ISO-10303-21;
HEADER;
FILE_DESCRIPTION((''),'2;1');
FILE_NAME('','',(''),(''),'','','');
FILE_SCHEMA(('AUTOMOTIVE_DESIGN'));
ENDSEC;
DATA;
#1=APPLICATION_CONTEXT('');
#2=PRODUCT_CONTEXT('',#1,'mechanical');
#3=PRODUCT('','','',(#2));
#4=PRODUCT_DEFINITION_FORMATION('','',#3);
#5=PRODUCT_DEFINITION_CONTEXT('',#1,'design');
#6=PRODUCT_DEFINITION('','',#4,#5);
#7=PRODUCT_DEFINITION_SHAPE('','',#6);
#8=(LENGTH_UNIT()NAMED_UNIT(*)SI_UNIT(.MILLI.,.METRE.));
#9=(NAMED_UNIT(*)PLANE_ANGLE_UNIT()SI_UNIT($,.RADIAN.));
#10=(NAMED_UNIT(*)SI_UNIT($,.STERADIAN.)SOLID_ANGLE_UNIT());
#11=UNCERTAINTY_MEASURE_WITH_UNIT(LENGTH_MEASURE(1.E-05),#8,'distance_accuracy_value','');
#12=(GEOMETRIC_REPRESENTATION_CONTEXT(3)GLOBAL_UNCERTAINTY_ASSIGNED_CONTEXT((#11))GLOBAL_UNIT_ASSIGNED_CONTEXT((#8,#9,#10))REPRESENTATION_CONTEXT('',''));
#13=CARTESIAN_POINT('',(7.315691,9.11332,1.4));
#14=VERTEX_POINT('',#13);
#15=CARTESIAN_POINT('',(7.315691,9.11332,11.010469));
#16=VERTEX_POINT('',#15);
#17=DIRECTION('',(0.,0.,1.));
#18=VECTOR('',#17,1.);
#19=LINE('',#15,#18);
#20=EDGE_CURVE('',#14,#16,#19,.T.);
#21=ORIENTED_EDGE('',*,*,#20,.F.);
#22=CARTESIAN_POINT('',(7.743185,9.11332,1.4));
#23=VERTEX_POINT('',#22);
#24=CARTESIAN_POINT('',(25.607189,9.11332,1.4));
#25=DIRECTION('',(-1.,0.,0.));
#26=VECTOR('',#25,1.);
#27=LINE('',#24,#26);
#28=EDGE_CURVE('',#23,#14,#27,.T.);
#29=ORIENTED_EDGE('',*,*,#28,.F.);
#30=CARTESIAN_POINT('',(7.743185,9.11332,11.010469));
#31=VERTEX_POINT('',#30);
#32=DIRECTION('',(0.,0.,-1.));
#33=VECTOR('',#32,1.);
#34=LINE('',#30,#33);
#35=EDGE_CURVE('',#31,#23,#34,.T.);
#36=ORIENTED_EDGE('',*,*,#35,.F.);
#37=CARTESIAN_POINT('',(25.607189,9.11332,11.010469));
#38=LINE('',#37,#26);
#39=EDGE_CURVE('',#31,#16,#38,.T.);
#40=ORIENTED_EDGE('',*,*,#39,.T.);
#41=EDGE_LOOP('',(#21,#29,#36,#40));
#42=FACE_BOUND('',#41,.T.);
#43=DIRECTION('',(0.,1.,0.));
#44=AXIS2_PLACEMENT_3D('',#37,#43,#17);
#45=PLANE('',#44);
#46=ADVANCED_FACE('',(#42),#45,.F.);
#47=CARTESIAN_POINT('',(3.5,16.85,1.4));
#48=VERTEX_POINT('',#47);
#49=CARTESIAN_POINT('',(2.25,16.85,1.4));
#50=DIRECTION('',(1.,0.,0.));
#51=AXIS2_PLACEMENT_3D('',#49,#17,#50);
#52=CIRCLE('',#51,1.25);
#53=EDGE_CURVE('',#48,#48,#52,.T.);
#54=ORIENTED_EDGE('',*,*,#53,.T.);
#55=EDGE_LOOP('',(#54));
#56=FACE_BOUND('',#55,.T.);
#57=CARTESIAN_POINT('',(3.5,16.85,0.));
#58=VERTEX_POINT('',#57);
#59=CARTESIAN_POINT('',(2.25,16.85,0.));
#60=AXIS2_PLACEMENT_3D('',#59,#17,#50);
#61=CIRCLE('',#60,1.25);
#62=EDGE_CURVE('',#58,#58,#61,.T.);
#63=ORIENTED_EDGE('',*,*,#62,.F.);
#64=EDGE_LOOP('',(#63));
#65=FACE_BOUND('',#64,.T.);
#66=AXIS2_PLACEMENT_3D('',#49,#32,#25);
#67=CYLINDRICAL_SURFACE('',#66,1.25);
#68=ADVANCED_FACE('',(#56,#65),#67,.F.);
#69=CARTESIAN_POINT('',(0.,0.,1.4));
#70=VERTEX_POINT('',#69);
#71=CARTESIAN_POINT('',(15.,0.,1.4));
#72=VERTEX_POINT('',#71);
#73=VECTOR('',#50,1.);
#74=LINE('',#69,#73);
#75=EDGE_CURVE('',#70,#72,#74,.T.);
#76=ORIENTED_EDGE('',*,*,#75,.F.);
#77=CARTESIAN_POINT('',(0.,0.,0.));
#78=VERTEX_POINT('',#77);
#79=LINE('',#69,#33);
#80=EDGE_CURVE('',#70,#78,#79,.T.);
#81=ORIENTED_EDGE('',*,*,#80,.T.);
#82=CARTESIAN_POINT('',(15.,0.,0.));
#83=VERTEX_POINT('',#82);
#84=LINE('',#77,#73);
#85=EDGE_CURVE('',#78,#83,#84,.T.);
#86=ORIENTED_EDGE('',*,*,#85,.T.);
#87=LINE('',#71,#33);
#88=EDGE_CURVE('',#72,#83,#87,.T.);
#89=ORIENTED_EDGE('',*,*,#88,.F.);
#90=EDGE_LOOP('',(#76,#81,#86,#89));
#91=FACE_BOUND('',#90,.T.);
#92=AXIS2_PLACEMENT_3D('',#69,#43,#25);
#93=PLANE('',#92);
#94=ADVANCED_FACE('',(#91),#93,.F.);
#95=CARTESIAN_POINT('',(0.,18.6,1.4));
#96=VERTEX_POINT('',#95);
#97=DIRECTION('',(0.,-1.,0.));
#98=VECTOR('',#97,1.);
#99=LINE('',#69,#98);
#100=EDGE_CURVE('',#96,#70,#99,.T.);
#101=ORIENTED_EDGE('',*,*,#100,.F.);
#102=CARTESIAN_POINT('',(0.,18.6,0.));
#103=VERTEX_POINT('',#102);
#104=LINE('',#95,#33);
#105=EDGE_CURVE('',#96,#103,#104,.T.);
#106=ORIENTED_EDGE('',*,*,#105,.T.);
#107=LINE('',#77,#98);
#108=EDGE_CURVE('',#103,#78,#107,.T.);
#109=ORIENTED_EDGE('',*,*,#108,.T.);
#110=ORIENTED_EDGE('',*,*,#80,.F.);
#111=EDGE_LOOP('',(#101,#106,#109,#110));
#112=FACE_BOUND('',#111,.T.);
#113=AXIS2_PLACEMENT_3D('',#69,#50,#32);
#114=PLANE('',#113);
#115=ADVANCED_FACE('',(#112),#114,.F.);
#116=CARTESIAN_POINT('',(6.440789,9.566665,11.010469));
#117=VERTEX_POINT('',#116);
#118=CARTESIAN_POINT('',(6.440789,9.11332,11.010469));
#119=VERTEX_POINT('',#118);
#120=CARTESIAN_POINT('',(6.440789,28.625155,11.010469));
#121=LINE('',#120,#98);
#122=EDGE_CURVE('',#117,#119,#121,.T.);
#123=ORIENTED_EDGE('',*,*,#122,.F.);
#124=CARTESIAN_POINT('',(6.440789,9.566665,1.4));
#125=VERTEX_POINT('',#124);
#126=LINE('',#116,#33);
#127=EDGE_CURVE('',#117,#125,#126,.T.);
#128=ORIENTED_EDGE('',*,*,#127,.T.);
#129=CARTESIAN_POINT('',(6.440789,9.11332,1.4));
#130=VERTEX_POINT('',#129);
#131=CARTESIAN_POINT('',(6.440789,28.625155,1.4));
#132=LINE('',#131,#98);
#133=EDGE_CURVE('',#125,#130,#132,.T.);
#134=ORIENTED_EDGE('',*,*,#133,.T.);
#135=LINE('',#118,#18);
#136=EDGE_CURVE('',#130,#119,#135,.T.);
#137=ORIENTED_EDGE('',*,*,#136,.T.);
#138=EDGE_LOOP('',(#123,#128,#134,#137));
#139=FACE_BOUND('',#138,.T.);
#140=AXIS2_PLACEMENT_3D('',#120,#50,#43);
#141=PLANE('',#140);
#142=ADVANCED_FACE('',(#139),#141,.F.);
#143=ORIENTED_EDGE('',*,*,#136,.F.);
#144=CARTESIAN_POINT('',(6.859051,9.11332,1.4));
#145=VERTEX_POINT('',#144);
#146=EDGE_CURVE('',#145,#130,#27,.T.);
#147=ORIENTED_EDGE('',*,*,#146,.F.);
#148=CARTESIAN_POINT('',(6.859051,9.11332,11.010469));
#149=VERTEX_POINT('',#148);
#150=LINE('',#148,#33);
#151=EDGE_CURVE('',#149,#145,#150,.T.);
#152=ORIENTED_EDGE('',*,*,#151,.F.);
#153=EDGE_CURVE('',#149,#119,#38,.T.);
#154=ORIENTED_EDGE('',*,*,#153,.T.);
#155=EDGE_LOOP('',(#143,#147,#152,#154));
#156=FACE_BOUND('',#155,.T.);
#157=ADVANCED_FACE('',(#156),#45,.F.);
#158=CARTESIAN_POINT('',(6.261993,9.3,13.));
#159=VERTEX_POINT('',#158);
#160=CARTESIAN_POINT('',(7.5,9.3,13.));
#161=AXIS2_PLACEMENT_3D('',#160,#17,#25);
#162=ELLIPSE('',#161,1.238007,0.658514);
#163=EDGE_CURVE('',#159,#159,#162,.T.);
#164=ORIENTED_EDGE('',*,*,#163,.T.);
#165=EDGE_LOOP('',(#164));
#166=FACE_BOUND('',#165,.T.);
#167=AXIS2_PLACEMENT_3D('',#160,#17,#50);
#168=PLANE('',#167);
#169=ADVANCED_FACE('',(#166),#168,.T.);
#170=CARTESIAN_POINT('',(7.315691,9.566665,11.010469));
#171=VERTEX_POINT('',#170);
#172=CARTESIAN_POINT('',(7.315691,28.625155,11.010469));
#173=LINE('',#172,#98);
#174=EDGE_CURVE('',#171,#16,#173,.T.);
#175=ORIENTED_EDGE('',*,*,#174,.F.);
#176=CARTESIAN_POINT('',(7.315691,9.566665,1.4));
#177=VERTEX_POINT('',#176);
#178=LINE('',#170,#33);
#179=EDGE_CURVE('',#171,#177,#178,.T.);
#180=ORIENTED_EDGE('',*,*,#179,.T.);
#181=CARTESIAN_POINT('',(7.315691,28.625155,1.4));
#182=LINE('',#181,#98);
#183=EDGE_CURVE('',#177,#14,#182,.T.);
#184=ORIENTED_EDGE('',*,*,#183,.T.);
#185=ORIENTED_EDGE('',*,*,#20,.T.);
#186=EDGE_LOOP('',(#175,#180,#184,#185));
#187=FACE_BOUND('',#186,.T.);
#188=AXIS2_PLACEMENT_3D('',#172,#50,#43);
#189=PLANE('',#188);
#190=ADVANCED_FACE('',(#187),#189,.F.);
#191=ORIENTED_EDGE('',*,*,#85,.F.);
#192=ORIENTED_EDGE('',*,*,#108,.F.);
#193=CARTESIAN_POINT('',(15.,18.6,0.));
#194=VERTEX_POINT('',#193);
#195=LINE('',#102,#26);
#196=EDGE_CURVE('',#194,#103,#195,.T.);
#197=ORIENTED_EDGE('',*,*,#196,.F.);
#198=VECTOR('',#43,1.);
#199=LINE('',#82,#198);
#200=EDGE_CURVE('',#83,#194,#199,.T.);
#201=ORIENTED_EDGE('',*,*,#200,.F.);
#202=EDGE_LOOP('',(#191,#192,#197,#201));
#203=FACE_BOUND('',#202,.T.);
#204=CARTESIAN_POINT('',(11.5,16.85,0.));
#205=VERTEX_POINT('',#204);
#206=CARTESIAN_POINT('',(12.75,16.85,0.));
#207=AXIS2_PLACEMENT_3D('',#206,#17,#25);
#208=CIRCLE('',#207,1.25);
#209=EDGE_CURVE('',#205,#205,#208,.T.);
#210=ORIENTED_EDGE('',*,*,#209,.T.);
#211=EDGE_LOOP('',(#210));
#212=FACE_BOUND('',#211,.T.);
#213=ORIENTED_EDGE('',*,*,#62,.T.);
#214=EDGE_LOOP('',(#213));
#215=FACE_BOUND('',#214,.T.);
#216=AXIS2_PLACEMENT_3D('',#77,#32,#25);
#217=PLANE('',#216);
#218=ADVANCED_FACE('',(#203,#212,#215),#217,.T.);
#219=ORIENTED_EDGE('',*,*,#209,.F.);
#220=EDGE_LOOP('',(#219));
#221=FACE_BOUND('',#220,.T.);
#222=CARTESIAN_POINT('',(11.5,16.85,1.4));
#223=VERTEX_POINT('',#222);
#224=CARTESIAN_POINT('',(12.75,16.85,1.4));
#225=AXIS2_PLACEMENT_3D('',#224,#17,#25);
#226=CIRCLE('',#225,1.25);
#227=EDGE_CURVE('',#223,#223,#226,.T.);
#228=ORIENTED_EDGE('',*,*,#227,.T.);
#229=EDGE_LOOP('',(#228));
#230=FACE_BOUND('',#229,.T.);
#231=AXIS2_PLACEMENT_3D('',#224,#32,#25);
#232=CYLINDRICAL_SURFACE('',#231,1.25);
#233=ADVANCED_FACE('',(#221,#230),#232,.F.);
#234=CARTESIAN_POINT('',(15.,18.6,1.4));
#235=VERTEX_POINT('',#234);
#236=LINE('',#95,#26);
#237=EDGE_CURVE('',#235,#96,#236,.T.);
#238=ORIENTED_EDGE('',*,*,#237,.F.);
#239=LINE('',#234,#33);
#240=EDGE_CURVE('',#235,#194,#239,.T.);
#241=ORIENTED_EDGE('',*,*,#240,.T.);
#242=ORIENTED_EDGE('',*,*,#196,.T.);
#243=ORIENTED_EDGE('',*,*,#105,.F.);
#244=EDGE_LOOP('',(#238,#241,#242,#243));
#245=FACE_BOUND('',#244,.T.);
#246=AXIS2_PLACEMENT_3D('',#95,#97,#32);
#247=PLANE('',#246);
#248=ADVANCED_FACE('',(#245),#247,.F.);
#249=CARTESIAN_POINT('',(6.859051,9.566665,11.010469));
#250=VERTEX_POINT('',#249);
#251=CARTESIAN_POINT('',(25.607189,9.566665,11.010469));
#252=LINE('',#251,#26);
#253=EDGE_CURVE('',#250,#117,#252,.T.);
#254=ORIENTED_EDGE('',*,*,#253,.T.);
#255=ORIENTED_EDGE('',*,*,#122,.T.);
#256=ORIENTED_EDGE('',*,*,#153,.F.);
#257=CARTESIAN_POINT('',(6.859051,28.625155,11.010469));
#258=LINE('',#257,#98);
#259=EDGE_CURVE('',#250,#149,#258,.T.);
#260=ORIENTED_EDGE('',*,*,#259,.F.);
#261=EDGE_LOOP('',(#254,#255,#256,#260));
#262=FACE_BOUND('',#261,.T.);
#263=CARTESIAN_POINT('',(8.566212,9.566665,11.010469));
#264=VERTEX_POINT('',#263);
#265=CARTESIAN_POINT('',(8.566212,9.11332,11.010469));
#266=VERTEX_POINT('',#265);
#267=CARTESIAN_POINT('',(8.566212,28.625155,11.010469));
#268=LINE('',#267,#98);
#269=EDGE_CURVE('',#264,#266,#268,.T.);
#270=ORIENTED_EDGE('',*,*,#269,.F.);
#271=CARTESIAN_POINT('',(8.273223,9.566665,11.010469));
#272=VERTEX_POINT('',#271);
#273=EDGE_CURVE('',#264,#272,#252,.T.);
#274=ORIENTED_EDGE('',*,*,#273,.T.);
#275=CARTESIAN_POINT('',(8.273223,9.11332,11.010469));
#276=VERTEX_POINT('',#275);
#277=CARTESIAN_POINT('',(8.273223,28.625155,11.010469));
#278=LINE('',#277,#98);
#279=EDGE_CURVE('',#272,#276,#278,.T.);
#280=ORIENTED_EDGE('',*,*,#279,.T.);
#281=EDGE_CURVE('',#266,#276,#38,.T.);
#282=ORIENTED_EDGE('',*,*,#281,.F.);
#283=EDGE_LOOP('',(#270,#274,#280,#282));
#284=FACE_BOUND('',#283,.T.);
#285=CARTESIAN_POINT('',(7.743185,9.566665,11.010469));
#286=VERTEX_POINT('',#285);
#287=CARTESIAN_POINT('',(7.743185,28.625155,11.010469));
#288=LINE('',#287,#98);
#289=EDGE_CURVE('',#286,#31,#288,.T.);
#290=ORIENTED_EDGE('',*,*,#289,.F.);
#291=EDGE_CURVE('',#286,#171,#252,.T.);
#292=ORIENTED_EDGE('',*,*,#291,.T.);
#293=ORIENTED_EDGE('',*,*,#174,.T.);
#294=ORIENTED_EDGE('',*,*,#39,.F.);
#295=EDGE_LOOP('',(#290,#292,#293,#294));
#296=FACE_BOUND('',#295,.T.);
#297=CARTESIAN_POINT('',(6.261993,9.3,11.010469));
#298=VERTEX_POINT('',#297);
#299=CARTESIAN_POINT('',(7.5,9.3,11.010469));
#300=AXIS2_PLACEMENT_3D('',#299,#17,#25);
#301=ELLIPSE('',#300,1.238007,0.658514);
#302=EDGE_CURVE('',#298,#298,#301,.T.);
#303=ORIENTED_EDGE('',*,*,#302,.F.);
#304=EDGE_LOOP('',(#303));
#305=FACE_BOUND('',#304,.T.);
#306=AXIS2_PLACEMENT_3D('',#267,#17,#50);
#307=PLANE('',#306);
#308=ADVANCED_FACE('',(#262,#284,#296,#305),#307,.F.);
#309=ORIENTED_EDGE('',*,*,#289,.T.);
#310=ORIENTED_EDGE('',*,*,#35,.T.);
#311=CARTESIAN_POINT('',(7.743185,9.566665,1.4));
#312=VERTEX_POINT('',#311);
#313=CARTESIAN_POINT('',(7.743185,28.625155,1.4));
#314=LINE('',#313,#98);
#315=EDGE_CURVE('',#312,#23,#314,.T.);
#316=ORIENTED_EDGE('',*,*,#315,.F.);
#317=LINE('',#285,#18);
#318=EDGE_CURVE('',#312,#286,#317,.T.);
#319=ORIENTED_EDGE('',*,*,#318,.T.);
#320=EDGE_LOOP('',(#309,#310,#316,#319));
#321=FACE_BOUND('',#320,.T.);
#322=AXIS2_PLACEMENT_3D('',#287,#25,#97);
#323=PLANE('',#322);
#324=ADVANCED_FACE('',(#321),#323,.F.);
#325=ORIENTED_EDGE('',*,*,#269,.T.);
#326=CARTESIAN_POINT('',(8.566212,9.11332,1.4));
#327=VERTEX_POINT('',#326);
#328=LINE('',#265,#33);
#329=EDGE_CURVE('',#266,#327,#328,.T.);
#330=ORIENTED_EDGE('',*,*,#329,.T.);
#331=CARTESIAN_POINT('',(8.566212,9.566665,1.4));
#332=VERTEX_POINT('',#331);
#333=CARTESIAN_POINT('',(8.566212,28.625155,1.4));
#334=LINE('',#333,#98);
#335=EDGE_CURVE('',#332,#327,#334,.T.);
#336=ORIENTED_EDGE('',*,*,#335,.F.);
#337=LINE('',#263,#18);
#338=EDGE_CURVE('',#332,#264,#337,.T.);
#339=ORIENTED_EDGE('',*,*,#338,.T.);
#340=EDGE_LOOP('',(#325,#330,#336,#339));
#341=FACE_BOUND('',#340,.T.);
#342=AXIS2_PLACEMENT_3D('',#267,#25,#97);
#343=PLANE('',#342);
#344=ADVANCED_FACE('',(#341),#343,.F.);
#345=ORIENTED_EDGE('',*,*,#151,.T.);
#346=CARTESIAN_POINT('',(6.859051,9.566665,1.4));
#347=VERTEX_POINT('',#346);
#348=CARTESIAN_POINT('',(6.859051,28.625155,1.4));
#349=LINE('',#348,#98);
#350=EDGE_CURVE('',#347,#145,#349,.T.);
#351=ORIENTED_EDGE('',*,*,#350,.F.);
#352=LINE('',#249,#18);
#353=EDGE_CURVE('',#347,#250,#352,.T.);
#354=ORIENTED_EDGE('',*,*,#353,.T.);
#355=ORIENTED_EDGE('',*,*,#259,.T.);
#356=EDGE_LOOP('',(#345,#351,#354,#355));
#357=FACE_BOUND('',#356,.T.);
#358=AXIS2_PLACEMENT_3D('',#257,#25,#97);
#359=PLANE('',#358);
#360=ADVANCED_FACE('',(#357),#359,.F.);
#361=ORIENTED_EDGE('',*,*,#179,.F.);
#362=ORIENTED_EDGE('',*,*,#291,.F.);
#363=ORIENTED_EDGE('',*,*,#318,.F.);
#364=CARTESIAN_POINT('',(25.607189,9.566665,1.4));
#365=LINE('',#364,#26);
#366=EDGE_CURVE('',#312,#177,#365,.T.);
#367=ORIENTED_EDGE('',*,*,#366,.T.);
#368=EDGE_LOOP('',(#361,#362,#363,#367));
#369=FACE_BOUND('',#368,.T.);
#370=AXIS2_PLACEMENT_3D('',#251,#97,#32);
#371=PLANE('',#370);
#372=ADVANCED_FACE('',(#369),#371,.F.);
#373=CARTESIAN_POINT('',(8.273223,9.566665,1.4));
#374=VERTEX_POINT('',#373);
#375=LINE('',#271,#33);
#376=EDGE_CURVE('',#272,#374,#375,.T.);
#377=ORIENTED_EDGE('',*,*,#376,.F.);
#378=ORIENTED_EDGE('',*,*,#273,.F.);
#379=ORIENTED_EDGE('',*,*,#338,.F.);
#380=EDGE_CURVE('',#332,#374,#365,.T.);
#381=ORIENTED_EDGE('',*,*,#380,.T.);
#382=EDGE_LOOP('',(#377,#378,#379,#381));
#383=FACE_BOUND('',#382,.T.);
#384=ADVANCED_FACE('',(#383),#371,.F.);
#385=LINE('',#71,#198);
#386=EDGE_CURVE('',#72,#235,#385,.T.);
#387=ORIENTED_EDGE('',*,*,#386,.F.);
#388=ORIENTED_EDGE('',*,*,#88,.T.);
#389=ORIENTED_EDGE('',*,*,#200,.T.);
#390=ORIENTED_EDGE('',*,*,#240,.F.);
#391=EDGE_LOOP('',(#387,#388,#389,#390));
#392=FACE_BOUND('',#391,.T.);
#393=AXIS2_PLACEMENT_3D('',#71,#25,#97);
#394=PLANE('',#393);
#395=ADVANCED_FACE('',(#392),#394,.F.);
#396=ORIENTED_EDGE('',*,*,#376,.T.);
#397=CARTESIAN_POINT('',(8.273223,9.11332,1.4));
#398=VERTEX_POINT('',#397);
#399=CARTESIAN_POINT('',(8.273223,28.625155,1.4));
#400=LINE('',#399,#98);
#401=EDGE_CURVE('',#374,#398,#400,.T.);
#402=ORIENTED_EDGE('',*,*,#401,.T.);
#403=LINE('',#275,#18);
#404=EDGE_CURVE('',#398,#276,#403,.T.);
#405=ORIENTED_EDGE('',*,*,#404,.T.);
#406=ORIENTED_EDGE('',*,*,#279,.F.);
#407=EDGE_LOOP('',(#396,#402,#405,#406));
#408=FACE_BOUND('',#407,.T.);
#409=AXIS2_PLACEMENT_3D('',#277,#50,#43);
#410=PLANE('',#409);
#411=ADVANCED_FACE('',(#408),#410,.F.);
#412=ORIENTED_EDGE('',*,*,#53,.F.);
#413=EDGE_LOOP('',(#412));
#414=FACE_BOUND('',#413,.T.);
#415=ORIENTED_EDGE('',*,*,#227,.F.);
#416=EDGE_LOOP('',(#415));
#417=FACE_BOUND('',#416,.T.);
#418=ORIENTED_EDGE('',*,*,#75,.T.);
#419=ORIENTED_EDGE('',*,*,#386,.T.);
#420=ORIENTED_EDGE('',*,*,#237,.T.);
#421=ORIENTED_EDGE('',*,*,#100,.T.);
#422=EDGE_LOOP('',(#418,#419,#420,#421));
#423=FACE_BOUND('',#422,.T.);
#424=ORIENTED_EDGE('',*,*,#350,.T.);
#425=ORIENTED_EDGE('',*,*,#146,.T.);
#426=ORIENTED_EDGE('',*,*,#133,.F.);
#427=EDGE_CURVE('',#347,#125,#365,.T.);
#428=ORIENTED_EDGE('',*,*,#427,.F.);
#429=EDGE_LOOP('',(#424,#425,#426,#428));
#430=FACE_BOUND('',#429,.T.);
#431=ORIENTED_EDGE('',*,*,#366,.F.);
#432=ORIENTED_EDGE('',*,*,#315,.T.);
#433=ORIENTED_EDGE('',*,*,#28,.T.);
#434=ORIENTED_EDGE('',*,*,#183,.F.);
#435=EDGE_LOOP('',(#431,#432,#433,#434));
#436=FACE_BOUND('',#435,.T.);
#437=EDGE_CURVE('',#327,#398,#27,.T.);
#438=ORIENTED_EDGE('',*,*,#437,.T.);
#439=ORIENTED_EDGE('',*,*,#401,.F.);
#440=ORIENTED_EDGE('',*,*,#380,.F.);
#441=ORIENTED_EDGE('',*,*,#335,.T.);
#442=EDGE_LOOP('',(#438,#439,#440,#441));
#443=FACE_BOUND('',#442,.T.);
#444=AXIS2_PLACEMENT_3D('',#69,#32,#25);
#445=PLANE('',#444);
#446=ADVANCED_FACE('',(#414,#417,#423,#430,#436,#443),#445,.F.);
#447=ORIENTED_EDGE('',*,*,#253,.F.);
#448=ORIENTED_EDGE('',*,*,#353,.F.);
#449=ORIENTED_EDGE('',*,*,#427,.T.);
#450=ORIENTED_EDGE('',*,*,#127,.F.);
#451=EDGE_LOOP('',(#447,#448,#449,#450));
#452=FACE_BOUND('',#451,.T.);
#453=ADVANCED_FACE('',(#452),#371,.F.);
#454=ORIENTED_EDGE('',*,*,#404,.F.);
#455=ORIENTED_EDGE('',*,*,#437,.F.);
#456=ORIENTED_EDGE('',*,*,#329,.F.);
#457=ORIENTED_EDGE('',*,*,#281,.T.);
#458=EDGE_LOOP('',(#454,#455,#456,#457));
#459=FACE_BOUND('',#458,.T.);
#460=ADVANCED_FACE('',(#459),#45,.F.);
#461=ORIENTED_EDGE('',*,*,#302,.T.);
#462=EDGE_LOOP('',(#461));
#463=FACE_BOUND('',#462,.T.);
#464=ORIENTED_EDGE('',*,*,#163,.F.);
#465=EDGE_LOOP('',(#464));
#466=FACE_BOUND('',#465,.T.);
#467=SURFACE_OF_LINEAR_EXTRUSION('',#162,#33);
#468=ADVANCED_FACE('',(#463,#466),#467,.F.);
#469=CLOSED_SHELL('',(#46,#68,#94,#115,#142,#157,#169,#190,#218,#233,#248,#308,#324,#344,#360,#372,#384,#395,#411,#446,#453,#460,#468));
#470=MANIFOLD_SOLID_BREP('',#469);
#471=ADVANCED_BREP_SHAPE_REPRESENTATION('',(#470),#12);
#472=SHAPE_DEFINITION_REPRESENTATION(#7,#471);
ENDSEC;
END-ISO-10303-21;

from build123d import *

# Parameters (mm, degrees)
SKETCH1_W           = 15
SKETCH1_H           = 18.6
SKETCH1_R           = 1.25
BOSS_EXTRUDE1_DEPTH = 1.4
SKETCH3_RX          = 1.238007016
SKETCH3_RY          = 0.65851437
BOSS_EXTRUDE2_DEPTH = 11.6
SKETCH4_W           = 0.456640639
SKETCH4_H           = 9.610469394
SKETCH4_W_2         = 0.530038758
SKETCH4_W_3         = 2.48112331
SKETCH4_W_4         = 2.853524762
CUT_EXTRUDE1_DEPTH  = 18.6
CUT_EXTRUDE2_REACH  = 29.202
SKETCH5_W           = 9.610469394
SKETCH5_H           = 4.489024126
SKETCH5_H_2         = 2.452224348


with BuildPart() as part:
    # Sketch1 → Boss-Extrude1 (new body)
    with BuildSketch(Plane.XY):
        with Locations((7.5, 9.3)):
            Rectangle(SKETCH1_W, SKETCH1_H)
        with Locations((2.25, 16.85)):
            Circle(SKETCH1_R, mode=Mode.SUBTRACT)
        with Locations(Location((12.75, 16.85, 0), (0, 0, 180))):
            Circle(SKETCH1_R, mode=Mode.SUBTRACT)
    extrude(amount=BOSS_EXTRUDE1_DEPTH)

    # Sketch3 → Boss-Extrude2 (add)
    with BuildSketch(Plane.XY.offset(1.4)):
        with Locations(Location((7.5, 9.3), (0, 0, 180))):
            Ellipse(SKETCH3_RX, SKETCH3_RY)
    extrude(amount=BOSS_EXTRUDE2_DEPTH)

    # Sketch4 → Cut-Extrude1 (cut)
    with BuildSketch(Plane.XZ):
        with Locations((7.087370884, 6.205234697)):
            Rectangle(SKETCH4_W, SKETCH4_H)
        with Locations((8.008203946, 6.205234697)):
            Rectangle(SKETCH4_W_2, SKETCH4_H)
        with Locations((5.200227297, 6.205234697)):
            Rectangle(SKETCH4_W_3, SKETCH4_H)
        with Locations((9.992974241, 6.205234697)):
            Rectangle(SKETCH4_W_4, SKETCH4_H)
    extrude(amount=-CUT_EXTRUDE1_DEPTH, mode=Mode.SUBTRACT)

    # Cut-Extrude2: up to this face of the body (flat: up to its plane)
    cut_extrude2_end = Plane(part.part.faces().sort_by_distance((15, 9.3, 0.7))[0])
    # Sketch5 → Cut-Extrude2 (cut, up to the picked face)
    with BuildSketch(Plane.ZY, mode=Mode.PRIVATE) as cut_extrude2_sk1:
        with Locations((6.205234697, 11.811177541)):
            Rectangle(SKETCH5_W, SKETCH5_H)
    cut_extrude2_tool1 = split(extrude(cut_extrude2_sk1.sketch, amount=-CUT_EXTRUDE2_REACH, mode=Mode.PRIVATE), bisect_by=cut_extrude2_end, keep=Keep.BOTH, mode=Mode.PRIVATE)
    # Sketch5 → Cut-Extrude2 (cut, up to the picked face)
    with BuildSketch(Plane.ZY, mode=Mode.PRIVATE) as cut_extrude2_sk2:
        with Locations((6.205234697, 7.887207935)):
            Rectangle(SKETCH5_W, SKETCH5_H_2)
    cut_extrude2_tool2 = split(extrude(cut_extrude2_sk2.sketch, amount=-CUT_EXTRUDE2_REACH, mode=Mode.PRIVATE), bisect_by=cut_extrude2_end, keep=Keep.BOTH, mode=Mode.PRIVATE)
    add(cut_extrude2_tool1.solids().sort_by(Axis((0, 11.811178, 6.205235), (1, 0, 0)))[0], mode=Mode.SUBTRACT)
    add(cut_extrude2_tool2.solids().sort_by(Axis((0, 7.887208, 6.205235), (1, 0, 0)))[0], mode=Mode.SUBTRACT)


solid = part.part
